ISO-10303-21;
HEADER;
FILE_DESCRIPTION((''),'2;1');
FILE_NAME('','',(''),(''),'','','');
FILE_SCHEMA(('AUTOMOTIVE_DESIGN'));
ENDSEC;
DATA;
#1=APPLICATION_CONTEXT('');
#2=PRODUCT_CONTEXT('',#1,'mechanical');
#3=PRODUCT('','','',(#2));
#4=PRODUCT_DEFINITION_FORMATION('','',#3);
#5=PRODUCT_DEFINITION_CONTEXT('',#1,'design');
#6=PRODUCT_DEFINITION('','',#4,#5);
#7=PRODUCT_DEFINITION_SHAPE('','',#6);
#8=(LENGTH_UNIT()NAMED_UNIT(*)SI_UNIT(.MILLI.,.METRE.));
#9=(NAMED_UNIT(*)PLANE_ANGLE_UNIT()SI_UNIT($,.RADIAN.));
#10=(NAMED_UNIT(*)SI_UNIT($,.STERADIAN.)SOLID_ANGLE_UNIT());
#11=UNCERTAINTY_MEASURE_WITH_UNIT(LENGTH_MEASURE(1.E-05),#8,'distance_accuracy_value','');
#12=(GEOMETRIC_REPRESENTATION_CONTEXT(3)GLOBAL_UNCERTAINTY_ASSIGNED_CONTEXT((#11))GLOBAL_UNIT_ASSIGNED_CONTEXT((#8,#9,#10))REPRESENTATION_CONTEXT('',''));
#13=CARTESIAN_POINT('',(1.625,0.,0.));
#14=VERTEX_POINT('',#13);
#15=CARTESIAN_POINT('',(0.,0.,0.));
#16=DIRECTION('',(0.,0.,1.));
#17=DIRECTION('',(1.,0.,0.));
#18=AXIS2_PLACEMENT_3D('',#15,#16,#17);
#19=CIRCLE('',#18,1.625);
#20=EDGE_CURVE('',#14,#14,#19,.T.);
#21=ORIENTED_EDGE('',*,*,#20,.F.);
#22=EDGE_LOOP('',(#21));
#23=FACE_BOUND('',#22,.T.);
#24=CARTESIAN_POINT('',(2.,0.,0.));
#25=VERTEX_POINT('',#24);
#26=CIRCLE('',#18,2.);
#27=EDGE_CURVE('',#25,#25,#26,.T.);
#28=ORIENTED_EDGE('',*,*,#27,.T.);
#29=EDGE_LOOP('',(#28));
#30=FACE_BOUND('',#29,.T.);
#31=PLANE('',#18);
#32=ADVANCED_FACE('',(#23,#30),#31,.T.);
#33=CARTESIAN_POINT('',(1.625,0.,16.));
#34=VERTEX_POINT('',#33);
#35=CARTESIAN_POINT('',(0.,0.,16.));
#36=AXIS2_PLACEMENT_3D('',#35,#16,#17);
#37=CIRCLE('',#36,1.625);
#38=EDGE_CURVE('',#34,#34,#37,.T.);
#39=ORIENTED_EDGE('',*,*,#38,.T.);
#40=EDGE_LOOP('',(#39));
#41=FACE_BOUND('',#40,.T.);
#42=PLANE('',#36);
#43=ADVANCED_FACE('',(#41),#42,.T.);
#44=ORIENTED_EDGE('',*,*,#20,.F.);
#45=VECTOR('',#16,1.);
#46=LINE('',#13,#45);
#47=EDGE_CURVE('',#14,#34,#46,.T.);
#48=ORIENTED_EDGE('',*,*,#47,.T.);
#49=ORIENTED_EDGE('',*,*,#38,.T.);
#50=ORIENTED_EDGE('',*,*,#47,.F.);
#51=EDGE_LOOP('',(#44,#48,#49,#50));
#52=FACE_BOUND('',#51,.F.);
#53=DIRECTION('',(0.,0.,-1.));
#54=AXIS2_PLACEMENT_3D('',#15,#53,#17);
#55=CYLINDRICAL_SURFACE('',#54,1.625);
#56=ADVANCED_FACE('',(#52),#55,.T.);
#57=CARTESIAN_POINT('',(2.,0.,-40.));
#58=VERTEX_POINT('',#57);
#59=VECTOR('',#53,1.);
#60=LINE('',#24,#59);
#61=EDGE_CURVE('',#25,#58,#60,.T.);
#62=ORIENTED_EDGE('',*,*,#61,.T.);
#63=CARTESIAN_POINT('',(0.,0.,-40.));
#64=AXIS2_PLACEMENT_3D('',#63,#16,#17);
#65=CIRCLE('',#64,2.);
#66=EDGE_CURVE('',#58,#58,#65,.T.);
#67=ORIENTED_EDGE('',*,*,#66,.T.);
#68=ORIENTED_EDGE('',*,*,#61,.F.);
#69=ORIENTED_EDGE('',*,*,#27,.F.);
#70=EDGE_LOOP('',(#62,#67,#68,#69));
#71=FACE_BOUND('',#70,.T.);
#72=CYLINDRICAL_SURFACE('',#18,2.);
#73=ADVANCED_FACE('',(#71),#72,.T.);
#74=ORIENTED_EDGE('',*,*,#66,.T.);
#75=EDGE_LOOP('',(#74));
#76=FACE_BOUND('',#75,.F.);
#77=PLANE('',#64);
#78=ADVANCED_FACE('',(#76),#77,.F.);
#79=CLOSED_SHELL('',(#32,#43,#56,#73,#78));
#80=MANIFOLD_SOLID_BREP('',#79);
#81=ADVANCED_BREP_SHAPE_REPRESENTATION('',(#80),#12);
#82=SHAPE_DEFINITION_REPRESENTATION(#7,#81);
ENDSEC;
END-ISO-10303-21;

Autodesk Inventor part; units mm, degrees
ref_plane "YZ Plane" through (0, 0, 0) normal (1, 0, 0) x (0, 1, 0)
ref_plane "XZ Plane" through (0, 0, 0) normal (0, 1, 0) x (-1, 0, 0)
ref_plane "XY Plane" through (0, 0, 0) normal (0, 0, 1) x (1, 0, 0)
sketch "スケッチ1" plane through (0, 0, 0) normal (0, 0, 1) x (1, 0, 0)
  circle A0 centre (0, 0) radius 1.625
  dimension "d0" = 3.25
extrude "押し出し1" add sketch "スケッチ1" along normal blind 16
sketch "スケッチ2" plane through (0, 0, 0) normal (0, 0, 1) x (1, 0, 0)
  circle A0 centre (0, 0) radius 2
  dimension "d3" = 4
extrude "押し出し2" add sketch "スケッチ2" against normal blind 40
properties part number "air_cylinder_15_part2_sa" material "アルミニウム 6061"
